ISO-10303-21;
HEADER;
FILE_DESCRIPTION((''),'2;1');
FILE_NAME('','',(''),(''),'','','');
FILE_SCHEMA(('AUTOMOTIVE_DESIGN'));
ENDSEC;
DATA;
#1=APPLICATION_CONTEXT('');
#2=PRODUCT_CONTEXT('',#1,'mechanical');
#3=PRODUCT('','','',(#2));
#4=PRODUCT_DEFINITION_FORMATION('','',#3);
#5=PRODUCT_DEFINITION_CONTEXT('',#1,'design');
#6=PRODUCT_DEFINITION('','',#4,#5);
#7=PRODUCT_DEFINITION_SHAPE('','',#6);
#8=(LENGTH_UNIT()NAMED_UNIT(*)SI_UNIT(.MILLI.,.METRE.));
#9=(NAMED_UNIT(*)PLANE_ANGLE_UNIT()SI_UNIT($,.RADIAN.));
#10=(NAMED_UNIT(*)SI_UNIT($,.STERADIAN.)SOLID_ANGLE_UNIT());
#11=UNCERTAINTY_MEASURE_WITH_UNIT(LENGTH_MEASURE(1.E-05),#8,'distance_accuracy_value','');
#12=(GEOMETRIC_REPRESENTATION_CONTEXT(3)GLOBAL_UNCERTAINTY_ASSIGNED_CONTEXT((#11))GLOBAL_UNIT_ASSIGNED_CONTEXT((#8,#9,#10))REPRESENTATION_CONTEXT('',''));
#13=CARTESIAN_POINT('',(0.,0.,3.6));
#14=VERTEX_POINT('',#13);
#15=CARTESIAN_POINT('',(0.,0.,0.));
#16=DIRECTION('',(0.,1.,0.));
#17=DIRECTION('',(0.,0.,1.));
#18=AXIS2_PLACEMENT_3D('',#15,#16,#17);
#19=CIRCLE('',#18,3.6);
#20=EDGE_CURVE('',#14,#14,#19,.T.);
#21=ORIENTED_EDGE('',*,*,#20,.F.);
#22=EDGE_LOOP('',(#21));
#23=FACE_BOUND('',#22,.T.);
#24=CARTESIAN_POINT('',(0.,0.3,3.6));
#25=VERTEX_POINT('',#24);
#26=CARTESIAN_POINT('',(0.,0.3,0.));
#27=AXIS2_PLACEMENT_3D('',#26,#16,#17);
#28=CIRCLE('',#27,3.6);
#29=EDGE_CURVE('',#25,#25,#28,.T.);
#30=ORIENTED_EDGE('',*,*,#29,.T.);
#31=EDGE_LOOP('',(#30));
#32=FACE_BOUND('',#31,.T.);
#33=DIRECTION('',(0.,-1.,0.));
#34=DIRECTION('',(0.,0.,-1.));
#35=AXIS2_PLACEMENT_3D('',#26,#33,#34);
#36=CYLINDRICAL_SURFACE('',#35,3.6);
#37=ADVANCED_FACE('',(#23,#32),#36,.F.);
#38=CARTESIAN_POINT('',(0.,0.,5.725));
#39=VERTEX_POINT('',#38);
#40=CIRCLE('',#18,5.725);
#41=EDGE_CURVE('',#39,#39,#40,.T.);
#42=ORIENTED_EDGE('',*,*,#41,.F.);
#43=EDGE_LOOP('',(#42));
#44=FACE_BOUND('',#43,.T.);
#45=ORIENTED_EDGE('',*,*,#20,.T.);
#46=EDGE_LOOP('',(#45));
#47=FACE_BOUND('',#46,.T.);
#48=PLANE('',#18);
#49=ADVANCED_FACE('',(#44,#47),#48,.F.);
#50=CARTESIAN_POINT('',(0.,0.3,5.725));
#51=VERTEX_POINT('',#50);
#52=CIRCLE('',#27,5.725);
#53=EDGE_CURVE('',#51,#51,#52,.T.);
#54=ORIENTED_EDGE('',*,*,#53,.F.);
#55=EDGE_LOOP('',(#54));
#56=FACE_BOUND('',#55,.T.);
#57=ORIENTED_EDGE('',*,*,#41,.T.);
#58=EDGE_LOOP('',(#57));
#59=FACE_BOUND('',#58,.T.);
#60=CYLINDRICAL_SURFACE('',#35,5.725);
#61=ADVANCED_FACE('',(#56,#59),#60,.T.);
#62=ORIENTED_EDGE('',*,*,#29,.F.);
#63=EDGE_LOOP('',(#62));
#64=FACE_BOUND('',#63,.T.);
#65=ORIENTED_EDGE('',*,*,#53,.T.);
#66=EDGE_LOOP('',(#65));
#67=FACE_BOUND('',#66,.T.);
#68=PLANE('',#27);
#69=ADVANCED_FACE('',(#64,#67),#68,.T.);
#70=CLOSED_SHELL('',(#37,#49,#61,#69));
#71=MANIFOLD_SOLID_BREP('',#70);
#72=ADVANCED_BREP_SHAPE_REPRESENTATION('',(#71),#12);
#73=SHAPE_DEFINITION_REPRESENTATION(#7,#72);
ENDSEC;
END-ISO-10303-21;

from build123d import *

# Parameters (mm, degrees)
ESQUISSE1_R        = 5.725
ESQUISSE1_R_2      = 3.6
BOSS_EXTRU_1_DEPTH = 0.3


with BuildPart() as part:
    # Esquisse1 → Boss.-Extru.1 (new body)
    with BuildSketch(Plane(origin=(0, 0, 0), x_dir=(1, 0, 0), z_dir=(0, 1, 0))):
        Circle(ESQUISSE1_R)
        Circle(ESQUISSE1_R_2, mode=Mode.SUBTRACT)
    extrude(amount=BOSS_EXTRU_1_DEPTH)


solid = part.part
